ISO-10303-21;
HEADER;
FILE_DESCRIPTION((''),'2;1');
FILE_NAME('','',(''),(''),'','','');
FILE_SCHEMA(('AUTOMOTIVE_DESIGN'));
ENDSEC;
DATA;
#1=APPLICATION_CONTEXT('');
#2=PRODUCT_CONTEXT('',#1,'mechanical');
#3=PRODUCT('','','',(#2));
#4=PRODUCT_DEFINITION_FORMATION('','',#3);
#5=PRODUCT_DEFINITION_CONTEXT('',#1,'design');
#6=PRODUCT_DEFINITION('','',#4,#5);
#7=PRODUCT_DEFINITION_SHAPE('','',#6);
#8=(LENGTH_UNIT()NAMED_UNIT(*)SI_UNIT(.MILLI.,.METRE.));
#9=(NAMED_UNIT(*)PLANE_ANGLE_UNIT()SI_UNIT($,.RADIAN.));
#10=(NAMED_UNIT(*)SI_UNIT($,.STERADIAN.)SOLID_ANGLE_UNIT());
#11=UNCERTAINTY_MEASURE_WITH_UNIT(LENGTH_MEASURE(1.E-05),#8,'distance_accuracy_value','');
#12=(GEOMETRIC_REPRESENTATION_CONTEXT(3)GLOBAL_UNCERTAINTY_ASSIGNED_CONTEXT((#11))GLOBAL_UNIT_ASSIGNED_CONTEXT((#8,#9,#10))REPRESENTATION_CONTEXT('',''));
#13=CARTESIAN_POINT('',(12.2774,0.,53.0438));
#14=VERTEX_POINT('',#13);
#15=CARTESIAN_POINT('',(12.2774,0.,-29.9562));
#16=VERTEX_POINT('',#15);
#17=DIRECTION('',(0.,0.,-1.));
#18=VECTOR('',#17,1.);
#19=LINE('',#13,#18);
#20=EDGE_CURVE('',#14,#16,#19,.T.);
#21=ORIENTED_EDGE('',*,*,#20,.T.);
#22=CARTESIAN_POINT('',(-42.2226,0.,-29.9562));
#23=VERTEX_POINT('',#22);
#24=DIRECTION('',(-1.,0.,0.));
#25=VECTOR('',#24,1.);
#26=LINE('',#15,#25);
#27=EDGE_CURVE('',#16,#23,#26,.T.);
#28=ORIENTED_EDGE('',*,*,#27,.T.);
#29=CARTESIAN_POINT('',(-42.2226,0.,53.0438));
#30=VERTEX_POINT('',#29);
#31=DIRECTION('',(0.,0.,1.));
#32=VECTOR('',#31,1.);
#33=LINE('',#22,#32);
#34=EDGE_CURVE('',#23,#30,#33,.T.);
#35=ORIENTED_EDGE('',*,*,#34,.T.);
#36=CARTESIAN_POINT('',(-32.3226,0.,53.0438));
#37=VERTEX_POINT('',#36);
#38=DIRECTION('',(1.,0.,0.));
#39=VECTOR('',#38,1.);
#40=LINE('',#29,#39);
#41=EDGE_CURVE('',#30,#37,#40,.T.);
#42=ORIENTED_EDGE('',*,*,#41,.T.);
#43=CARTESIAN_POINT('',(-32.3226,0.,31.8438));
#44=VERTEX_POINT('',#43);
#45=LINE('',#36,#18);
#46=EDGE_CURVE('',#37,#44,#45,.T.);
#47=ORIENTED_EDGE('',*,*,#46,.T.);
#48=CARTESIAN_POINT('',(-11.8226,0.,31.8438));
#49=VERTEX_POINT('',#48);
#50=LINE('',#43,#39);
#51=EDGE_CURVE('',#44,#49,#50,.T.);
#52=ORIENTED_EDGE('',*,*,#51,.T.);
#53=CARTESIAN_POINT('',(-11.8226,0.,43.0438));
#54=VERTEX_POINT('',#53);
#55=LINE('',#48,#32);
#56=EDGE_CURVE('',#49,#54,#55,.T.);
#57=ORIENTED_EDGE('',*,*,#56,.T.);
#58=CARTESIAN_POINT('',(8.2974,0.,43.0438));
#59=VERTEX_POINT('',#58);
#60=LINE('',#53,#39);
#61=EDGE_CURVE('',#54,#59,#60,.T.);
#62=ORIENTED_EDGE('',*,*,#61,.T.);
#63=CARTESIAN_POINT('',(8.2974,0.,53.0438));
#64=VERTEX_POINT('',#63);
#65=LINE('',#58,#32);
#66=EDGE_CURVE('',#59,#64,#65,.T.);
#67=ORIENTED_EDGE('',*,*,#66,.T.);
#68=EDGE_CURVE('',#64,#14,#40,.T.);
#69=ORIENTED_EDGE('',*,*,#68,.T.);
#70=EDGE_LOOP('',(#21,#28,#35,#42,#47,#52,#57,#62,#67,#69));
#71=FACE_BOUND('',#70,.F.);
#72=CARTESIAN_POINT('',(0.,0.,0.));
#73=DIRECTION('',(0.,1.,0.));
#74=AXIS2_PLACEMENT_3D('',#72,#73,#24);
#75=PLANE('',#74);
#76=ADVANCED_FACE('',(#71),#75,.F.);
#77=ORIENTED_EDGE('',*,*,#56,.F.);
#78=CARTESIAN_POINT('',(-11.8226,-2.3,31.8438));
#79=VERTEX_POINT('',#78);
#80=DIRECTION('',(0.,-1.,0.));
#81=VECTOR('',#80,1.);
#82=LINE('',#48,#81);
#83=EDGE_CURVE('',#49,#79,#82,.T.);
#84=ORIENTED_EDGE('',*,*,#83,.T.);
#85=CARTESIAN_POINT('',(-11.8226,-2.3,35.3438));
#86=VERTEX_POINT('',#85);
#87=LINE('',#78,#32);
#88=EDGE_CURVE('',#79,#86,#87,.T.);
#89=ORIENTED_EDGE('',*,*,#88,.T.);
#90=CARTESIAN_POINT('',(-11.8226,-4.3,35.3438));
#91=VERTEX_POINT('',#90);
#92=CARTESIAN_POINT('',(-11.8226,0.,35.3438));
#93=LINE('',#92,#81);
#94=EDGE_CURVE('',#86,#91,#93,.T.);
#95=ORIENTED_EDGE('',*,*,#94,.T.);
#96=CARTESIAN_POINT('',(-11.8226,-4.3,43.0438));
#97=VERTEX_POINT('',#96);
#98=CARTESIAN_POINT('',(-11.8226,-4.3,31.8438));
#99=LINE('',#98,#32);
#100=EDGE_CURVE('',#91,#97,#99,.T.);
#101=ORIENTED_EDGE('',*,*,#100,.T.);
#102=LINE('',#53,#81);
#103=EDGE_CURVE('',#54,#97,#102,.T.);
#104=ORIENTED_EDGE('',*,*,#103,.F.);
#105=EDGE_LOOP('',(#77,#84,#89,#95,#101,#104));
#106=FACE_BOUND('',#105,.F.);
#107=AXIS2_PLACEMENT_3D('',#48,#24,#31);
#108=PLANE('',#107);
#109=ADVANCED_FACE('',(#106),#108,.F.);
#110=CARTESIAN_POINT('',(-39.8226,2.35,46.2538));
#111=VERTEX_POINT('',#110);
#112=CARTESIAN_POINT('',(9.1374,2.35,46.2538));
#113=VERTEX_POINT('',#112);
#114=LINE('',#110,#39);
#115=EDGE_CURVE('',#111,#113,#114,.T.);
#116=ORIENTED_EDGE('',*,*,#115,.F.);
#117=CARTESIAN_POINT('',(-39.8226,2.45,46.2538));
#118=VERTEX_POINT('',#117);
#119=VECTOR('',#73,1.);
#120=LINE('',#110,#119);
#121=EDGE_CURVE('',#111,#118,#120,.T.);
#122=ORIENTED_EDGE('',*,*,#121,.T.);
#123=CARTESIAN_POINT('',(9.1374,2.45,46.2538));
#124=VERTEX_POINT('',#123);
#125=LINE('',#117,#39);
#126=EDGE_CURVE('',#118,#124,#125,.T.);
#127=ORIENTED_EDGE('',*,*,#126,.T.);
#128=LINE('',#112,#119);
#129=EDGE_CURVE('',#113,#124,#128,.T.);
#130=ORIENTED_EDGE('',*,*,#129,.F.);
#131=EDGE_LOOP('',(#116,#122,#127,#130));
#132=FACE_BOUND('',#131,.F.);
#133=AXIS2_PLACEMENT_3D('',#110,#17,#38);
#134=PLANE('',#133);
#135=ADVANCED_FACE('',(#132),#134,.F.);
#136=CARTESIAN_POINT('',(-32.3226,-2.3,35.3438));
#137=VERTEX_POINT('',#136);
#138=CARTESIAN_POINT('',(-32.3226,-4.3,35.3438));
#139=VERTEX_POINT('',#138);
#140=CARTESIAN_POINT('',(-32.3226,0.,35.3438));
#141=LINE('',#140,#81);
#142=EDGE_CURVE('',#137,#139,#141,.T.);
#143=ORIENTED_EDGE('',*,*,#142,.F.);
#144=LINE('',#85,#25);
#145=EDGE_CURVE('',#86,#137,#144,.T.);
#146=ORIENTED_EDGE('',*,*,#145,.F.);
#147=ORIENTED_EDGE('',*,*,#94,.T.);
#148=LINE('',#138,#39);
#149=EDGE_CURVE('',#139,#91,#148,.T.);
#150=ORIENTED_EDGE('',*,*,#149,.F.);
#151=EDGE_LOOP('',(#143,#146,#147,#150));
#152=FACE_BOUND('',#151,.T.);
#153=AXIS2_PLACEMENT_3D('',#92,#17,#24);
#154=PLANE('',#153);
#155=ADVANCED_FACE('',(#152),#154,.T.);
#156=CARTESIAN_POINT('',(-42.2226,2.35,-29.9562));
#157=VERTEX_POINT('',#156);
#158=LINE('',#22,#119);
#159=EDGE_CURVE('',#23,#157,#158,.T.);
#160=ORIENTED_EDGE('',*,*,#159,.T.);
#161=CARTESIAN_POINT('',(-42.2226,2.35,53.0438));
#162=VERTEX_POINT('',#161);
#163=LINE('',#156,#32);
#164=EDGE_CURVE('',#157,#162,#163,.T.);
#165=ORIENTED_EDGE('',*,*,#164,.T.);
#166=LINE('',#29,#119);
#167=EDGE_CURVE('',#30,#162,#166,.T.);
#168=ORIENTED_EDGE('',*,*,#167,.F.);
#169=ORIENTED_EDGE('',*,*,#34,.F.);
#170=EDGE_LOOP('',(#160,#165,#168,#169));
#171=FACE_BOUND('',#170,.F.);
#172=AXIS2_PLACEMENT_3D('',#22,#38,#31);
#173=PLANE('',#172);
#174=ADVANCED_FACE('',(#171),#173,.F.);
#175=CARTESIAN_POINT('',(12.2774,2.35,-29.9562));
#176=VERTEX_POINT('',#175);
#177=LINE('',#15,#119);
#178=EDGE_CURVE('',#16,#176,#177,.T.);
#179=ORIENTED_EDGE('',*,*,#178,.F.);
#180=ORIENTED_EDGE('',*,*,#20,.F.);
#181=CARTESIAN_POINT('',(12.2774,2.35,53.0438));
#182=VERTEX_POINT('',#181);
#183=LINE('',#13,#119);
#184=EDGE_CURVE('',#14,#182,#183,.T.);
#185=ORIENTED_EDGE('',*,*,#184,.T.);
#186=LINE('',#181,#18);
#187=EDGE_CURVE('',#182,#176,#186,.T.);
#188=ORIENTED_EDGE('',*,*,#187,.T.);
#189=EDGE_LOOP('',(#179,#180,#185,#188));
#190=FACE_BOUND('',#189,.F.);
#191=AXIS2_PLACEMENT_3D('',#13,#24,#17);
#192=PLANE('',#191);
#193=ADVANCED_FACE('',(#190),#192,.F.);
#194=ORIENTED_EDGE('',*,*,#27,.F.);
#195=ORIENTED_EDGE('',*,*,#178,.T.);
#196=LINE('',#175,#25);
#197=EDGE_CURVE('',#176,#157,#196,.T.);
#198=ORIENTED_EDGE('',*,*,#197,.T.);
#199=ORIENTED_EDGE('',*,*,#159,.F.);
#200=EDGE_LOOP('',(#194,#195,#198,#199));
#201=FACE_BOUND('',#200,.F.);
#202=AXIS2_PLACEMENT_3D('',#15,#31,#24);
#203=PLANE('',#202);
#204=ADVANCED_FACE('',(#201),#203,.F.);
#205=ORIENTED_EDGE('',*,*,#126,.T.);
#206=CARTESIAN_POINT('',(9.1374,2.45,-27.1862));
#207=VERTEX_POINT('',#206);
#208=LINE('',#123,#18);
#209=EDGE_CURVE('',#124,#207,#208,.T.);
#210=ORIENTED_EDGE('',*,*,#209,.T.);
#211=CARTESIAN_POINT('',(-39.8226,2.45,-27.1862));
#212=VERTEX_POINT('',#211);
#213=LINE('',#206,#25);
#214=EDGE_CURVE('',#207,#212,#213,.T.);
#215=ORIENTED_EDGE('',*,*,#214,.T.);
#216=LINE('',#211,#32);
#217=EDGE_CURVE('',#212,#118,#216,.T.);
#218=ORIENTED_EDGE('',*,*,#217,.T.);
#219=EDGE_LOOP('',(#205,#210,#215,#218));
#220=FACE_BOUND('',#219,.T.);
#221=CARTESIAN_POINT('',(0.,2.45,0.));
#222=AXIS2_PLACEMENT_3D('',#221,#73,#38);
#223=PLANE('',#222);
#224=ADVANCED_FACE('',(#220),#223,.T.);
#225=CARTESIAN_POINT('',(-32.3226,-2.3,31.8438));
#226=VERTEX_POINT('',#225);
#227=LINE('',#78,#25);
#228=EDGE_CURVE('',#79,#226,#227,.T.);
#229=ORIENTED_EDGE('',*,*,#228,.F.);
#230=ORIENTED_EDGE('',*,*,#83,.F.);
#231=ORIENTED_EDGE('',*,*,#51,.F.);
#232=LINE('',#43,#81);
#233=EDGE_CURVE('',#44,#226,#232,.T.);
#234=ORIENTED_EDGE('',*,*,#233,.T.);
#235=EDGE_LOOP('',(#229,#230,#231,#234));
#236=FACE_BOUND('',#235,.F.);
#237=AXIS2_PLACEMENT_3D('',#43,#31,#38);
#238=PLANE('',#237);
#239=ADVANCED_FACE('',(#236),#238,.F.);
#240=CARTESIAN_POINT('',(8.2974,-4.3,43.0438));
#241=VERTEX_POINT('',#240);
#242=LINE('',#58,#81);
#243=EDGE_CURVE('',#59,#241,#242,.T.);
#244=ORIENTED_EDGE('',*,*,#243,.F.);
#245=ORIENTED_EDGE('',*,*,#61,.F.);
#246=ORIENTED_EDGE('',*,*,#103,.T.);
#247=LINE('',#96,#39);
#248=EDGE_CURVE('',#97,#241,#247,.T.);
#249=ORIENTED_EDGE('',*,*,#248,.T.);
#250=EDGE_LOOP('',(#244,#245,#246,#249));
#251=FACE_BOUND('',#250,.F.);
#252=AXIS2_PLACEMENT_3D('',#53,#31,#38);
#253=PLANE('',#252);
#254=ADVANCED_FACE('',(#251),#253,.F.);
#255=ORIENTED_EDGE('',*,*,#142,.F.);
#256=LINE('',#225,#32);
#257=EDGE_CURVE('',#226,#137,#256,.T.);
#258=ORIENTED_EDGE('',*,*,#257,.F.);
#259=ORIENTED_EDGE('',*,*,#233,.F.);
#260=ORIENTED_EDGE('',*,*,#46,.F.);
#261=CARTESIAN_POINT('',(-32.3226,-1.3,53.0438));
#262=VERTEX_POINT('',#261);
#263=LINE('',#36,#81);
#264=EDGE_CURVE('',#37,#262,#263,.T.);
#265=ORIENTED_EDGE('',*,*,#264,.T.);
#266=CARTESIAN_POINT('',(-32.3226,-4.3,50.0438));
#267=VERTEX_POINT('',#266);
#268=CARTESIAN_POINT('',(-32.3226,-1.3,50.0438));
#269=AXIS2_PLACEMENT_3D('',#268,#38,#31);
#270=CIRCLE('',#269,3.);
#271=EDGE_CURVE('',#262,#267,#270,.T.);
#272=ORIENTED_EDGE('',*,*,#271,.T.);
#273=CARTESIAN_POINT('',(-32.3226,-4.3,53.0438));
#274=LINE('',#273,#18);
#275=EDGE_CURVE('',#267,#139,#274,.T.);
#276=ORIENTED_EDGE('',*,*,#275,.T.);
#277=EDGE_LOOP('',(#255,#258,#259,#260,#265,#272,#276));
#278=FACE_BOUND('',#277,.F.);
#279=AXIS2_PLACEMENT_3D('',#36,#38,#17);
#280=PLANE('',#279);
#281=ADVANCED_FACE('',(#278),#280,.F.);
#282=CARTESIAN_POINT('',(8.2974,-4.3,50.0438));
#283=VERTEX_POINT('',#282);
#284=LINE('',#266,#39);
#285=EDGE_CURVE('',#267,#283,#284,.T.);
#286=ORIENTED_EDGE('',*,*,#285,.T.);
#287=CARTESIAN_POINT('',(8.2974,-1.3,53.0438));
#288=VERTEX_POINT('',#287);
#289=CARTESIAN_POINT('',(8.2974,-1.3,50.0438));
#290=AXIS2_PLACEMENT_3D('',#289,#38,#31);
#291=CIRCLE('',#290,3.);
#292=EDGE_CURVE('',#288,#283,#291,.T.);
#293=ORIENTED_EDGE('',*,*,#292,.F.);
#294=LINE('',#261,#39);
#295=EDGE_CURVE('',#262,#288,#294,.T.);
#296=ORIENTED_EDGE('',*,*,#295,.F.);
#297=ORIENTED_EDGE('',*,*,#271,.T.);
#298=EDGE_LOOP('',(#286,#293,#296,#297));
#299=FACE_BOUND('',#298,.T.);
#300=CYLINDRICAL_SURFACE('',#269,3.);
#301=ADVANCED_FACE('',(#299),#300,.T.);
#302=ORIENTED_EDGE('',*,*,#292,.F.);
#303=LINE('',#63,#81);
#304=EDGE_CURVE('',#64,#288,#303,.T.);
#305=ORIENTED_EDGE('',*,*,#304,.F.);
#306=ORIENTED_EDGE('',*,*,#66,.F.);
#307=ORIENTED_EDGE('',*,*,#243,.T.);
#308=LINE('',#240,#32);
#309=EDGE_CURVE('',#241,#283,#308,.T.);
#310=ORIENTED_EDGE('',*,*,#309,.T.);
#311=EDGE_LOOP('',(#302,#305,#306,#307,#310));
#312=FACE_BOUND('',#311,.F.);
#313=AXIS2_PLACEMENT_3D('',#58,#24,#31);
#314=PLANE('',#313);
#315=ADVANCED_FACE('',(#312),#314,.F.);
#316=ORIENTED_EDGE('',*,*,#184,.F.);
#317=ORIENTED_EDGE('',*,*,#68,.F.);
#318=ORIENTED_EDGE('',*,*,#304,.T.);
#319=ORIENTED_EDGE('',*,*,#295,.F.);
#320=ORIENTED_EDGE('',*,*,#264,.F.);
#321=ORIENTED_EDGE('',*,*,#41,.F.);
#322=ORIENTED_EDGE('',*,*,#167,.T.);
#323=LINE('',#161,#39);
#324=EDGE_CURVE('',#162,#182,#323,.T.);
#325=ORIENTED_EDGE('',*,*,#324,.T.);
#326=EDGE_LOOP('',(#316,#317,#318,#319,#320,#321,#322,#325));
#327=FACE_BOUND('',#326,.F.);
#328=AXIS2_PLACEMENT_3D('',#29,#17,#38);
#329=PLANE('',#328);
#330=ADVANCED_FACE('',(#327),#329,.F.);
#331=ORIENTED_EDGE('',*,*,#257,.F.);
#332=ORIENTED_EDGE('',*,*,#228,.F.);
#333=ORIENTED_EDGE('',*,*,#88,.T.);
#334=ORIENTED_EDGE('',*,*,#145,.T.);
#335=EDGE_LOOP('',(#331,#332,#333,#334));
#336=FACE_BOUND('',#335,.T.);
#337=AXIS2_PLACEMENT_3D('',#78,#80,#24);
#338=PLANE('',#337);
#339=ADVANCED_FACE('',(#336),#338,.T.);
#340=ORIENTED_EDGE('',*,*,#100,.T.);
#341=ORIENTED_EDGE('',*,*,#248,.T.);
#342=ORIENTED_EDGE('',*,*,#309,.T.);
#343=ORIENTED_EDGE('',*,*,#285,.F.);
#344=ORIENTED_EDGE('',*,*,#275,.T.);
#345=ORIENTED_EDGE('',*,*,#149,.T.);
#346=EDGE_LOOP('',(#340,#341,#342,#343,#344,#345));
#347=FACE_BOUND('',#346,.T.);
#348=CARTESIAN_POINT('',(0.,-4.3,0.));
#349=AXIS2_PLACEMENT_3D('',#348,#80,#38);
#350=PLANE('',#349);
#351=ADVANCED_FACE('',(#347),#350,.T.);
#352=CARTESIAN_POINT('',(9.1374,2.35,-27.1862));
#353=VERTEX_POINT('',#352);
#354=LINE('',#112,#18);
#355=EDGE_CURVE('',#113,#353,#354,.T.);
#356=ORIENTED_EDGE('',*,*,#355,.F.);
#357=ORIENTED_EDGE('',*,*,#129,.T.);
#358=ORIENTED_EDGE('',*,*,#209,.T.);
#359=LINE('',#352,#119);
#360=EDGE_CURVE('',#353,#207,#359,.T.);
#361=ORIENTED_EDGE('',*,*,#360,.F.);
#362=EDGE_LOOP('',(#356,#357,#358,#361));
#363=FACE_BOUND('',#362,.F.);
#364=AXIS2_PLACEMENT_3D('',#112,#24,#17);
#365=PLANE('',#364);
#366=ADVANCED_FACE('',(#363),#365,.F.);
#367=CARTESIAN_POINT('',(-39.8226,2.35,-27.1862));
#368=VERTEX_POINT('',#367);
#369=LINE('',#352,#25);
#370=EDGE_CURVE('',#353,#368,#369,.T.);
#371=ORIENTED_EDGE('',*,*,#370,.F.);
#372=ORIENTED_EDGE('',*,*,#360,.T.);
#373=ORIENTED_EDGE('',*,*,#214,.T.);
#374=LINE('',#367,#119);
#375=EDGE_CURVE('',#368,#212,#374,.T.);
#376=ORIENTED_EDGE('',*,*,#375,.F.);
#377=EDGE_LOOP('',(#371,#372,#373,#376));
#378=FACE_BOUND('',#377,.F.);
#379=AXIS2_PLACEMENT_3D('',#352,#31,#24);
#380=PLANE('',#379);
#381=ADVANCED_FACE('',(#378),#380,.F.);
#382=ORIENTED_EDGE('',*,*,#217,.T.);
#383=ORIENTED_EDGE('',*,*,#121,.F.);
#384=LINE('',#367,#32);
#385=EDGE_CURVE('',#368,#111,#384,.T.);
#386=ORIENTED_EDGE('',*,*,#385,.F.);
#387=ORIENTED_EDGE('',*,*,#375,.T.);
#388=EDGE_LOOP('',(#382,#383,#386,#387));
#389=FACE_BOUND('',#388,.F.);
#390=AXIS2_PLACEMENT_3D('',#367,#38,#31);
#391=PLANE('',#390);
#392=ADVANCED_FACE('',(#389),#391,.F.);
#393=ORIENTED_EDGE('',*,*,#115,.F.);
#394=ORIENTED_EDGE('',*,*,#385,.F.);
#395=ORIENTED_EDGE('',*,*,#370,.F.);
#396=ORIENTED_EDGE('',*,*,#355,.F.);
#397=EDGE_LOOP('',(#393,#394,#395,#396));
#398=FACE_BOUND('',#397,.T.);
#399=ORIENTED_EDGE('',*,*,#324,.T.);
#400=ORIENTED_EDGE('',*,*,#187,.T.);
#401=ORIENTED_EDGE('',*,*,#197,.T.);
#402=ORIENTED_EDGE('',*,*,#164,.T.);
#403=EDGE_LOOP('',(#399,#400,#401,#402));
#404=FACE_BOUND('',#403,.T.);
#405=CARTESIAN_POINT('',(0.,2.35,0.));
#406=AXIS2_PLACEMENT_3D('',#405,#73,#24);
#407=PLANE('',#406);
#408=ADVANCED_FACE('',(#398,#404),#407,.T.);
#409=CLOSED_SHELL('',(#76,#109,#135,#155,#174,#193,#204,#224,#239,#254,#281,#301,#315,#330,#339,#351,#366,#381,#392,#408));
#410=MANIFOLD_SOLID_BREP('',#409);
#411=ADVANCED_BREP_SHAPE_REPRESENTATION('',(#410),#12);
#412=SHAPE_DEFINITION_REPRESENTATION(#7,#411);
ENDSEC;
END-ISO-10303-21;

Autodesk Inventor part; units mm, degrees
ref_plane "YZ Plane" through (0, 0, 0) normal (1, 0, 0) x (0, 1, 0)
ref_plane "XZ Plane" through (0, 0, 0) normal (0, 1, 0) x (-1, 0, 0)
ref_plane "XY Plane" through (0, 0, 0) normal (0, 0, 1) x (1, 0, 0)
sketch "Sketch1" plane through (0, 0, 0) normal (0, 1, 0) x (-1, 0, 0)
  line L0 (42.2226, 53.0438) -> (-12.2774, 53.0438)
  line L1 (-12.2774, 53.0438) -> (-12.2774, -29.9562)
  line L2 (-12.2774, -29.9562) -> (42.2226, -29.9562)
  line L3 (42.2226, -29.9562) -> (42.2226, 53.0438)
  point P0 (0, 0)
  dimension "d0" = 54.5
  dimension "d1" = 83
extrude "Extrusion1" add sketch "Sketch1" along normal blind 2.35
sketch "Sketch2" plane through (0, 2.35, 0) normal (0, 1, 0) x (1, 0, 0)
  line L0 (-39.8226, -46.2538) -> (9.1374, -46.2538)
  line L1 (9.1374, -46.2538) -> (9.1374, 27.1862)
  line L2 (9.1374, 27.1862) -> (-39.8226, 27.1862)
  line L3 (-39.8226, 27.1862) -> (-39.8226, -46.2538)
  line L4 (12.2774, -53.0438) -> (12.2774, 29.9562) projected
  line L5 (12.2774, 29.9562) -> (-42.2226, 29.9562) projected
  line L6 (-42.2226, 29.9562) -> (-42.2226, -53.0438) projected
  line L7 (-42.2226, -53.0438) -> (12.2774, -53.0438) projected
  point P0 (0, 0)
  dimension "d4" = 48.96
  dimension "d5" = 73.44
  dimension "d6" = 2.77
  dimension "d7" = 2.4
extrude "Extrusion2" add sketch "Sketch2" along normal blind 0.1 contours L3 L2 L1 L0
sketch "Sketch3" plane through (0, 0, 0) normal (0, -1, 0) x (1, 0, 0)
  line L0 (12.2774, 53.0438) -> (12.2774, -29.9562) projected
  line L1 (-42.2226, 53.0438) -> (12.2774, 53.0438) projected
  line L2 (-42.2226, -29.9562) -> (-42.2226, 53.0438) projected
  line L3 (12.2774, -29.9562) -> (-42.2226, -29.9562) projected
  line L4 (-42.2226, 53.0438) -> (12.2774, 53.0438) projected
  line L5 (-32.3226, 53.0438) -> (-32.3226, 31.8438)
  line L6 (-32.3226, 31.8438) -> (-11.8226, 31.8438)
  line L7 (-11.8226, 31.8438) -> (-11.8226, 43.0438)
  line L8 (-11.8226, 43.0438) -> (8.2974, 43.0438)
  line L9 (8.2974, 43.0438) -> (8.2974, 53.0438)
  point P0 (0, 0)
  dimension "d11" = 9.9
  dimension "d12" = 21.2
  dimension "d13" = 3.98
  dimension "d14" = 20.5
  dimension "d15" = 10
extrude "Extrusion3" add sketch "Sketch3" along normal blind 4.3 contours L9 L8 L7 L6 L5 L1
fillet "Fillet2" radius 3 1 edges at (-12.0126, -4.3, 53.0438)
sketch "Sketch4" plane through (-11.8226, 0, 31.8438) normal (0, 0, -1) x (-1, 0, 0)
  line L0 (0, 0) -> (20.5, 0) projected
  line L1 (0, 0) -> (0, -4.3) projected
  line L2 (20.5, -4.3) -> (0, -4.3) projected
  line L3 (20.5, 0) -> (20.5, -4.3) projected
  line L4 (0, -2.3) -> (20.5, -2.3)
  line L5 (20.5, -1.3) -> (20.5, -4.3) projected
  point P0 (-11.8226, 0)
  point P1 (0, -2.3)
  dimension "d19" = 2
extrude "Extrusion4" cut sketch "Sketch4" against normal blind 3.5 contours L4 L3 L2 L1
properties part number "Display"
